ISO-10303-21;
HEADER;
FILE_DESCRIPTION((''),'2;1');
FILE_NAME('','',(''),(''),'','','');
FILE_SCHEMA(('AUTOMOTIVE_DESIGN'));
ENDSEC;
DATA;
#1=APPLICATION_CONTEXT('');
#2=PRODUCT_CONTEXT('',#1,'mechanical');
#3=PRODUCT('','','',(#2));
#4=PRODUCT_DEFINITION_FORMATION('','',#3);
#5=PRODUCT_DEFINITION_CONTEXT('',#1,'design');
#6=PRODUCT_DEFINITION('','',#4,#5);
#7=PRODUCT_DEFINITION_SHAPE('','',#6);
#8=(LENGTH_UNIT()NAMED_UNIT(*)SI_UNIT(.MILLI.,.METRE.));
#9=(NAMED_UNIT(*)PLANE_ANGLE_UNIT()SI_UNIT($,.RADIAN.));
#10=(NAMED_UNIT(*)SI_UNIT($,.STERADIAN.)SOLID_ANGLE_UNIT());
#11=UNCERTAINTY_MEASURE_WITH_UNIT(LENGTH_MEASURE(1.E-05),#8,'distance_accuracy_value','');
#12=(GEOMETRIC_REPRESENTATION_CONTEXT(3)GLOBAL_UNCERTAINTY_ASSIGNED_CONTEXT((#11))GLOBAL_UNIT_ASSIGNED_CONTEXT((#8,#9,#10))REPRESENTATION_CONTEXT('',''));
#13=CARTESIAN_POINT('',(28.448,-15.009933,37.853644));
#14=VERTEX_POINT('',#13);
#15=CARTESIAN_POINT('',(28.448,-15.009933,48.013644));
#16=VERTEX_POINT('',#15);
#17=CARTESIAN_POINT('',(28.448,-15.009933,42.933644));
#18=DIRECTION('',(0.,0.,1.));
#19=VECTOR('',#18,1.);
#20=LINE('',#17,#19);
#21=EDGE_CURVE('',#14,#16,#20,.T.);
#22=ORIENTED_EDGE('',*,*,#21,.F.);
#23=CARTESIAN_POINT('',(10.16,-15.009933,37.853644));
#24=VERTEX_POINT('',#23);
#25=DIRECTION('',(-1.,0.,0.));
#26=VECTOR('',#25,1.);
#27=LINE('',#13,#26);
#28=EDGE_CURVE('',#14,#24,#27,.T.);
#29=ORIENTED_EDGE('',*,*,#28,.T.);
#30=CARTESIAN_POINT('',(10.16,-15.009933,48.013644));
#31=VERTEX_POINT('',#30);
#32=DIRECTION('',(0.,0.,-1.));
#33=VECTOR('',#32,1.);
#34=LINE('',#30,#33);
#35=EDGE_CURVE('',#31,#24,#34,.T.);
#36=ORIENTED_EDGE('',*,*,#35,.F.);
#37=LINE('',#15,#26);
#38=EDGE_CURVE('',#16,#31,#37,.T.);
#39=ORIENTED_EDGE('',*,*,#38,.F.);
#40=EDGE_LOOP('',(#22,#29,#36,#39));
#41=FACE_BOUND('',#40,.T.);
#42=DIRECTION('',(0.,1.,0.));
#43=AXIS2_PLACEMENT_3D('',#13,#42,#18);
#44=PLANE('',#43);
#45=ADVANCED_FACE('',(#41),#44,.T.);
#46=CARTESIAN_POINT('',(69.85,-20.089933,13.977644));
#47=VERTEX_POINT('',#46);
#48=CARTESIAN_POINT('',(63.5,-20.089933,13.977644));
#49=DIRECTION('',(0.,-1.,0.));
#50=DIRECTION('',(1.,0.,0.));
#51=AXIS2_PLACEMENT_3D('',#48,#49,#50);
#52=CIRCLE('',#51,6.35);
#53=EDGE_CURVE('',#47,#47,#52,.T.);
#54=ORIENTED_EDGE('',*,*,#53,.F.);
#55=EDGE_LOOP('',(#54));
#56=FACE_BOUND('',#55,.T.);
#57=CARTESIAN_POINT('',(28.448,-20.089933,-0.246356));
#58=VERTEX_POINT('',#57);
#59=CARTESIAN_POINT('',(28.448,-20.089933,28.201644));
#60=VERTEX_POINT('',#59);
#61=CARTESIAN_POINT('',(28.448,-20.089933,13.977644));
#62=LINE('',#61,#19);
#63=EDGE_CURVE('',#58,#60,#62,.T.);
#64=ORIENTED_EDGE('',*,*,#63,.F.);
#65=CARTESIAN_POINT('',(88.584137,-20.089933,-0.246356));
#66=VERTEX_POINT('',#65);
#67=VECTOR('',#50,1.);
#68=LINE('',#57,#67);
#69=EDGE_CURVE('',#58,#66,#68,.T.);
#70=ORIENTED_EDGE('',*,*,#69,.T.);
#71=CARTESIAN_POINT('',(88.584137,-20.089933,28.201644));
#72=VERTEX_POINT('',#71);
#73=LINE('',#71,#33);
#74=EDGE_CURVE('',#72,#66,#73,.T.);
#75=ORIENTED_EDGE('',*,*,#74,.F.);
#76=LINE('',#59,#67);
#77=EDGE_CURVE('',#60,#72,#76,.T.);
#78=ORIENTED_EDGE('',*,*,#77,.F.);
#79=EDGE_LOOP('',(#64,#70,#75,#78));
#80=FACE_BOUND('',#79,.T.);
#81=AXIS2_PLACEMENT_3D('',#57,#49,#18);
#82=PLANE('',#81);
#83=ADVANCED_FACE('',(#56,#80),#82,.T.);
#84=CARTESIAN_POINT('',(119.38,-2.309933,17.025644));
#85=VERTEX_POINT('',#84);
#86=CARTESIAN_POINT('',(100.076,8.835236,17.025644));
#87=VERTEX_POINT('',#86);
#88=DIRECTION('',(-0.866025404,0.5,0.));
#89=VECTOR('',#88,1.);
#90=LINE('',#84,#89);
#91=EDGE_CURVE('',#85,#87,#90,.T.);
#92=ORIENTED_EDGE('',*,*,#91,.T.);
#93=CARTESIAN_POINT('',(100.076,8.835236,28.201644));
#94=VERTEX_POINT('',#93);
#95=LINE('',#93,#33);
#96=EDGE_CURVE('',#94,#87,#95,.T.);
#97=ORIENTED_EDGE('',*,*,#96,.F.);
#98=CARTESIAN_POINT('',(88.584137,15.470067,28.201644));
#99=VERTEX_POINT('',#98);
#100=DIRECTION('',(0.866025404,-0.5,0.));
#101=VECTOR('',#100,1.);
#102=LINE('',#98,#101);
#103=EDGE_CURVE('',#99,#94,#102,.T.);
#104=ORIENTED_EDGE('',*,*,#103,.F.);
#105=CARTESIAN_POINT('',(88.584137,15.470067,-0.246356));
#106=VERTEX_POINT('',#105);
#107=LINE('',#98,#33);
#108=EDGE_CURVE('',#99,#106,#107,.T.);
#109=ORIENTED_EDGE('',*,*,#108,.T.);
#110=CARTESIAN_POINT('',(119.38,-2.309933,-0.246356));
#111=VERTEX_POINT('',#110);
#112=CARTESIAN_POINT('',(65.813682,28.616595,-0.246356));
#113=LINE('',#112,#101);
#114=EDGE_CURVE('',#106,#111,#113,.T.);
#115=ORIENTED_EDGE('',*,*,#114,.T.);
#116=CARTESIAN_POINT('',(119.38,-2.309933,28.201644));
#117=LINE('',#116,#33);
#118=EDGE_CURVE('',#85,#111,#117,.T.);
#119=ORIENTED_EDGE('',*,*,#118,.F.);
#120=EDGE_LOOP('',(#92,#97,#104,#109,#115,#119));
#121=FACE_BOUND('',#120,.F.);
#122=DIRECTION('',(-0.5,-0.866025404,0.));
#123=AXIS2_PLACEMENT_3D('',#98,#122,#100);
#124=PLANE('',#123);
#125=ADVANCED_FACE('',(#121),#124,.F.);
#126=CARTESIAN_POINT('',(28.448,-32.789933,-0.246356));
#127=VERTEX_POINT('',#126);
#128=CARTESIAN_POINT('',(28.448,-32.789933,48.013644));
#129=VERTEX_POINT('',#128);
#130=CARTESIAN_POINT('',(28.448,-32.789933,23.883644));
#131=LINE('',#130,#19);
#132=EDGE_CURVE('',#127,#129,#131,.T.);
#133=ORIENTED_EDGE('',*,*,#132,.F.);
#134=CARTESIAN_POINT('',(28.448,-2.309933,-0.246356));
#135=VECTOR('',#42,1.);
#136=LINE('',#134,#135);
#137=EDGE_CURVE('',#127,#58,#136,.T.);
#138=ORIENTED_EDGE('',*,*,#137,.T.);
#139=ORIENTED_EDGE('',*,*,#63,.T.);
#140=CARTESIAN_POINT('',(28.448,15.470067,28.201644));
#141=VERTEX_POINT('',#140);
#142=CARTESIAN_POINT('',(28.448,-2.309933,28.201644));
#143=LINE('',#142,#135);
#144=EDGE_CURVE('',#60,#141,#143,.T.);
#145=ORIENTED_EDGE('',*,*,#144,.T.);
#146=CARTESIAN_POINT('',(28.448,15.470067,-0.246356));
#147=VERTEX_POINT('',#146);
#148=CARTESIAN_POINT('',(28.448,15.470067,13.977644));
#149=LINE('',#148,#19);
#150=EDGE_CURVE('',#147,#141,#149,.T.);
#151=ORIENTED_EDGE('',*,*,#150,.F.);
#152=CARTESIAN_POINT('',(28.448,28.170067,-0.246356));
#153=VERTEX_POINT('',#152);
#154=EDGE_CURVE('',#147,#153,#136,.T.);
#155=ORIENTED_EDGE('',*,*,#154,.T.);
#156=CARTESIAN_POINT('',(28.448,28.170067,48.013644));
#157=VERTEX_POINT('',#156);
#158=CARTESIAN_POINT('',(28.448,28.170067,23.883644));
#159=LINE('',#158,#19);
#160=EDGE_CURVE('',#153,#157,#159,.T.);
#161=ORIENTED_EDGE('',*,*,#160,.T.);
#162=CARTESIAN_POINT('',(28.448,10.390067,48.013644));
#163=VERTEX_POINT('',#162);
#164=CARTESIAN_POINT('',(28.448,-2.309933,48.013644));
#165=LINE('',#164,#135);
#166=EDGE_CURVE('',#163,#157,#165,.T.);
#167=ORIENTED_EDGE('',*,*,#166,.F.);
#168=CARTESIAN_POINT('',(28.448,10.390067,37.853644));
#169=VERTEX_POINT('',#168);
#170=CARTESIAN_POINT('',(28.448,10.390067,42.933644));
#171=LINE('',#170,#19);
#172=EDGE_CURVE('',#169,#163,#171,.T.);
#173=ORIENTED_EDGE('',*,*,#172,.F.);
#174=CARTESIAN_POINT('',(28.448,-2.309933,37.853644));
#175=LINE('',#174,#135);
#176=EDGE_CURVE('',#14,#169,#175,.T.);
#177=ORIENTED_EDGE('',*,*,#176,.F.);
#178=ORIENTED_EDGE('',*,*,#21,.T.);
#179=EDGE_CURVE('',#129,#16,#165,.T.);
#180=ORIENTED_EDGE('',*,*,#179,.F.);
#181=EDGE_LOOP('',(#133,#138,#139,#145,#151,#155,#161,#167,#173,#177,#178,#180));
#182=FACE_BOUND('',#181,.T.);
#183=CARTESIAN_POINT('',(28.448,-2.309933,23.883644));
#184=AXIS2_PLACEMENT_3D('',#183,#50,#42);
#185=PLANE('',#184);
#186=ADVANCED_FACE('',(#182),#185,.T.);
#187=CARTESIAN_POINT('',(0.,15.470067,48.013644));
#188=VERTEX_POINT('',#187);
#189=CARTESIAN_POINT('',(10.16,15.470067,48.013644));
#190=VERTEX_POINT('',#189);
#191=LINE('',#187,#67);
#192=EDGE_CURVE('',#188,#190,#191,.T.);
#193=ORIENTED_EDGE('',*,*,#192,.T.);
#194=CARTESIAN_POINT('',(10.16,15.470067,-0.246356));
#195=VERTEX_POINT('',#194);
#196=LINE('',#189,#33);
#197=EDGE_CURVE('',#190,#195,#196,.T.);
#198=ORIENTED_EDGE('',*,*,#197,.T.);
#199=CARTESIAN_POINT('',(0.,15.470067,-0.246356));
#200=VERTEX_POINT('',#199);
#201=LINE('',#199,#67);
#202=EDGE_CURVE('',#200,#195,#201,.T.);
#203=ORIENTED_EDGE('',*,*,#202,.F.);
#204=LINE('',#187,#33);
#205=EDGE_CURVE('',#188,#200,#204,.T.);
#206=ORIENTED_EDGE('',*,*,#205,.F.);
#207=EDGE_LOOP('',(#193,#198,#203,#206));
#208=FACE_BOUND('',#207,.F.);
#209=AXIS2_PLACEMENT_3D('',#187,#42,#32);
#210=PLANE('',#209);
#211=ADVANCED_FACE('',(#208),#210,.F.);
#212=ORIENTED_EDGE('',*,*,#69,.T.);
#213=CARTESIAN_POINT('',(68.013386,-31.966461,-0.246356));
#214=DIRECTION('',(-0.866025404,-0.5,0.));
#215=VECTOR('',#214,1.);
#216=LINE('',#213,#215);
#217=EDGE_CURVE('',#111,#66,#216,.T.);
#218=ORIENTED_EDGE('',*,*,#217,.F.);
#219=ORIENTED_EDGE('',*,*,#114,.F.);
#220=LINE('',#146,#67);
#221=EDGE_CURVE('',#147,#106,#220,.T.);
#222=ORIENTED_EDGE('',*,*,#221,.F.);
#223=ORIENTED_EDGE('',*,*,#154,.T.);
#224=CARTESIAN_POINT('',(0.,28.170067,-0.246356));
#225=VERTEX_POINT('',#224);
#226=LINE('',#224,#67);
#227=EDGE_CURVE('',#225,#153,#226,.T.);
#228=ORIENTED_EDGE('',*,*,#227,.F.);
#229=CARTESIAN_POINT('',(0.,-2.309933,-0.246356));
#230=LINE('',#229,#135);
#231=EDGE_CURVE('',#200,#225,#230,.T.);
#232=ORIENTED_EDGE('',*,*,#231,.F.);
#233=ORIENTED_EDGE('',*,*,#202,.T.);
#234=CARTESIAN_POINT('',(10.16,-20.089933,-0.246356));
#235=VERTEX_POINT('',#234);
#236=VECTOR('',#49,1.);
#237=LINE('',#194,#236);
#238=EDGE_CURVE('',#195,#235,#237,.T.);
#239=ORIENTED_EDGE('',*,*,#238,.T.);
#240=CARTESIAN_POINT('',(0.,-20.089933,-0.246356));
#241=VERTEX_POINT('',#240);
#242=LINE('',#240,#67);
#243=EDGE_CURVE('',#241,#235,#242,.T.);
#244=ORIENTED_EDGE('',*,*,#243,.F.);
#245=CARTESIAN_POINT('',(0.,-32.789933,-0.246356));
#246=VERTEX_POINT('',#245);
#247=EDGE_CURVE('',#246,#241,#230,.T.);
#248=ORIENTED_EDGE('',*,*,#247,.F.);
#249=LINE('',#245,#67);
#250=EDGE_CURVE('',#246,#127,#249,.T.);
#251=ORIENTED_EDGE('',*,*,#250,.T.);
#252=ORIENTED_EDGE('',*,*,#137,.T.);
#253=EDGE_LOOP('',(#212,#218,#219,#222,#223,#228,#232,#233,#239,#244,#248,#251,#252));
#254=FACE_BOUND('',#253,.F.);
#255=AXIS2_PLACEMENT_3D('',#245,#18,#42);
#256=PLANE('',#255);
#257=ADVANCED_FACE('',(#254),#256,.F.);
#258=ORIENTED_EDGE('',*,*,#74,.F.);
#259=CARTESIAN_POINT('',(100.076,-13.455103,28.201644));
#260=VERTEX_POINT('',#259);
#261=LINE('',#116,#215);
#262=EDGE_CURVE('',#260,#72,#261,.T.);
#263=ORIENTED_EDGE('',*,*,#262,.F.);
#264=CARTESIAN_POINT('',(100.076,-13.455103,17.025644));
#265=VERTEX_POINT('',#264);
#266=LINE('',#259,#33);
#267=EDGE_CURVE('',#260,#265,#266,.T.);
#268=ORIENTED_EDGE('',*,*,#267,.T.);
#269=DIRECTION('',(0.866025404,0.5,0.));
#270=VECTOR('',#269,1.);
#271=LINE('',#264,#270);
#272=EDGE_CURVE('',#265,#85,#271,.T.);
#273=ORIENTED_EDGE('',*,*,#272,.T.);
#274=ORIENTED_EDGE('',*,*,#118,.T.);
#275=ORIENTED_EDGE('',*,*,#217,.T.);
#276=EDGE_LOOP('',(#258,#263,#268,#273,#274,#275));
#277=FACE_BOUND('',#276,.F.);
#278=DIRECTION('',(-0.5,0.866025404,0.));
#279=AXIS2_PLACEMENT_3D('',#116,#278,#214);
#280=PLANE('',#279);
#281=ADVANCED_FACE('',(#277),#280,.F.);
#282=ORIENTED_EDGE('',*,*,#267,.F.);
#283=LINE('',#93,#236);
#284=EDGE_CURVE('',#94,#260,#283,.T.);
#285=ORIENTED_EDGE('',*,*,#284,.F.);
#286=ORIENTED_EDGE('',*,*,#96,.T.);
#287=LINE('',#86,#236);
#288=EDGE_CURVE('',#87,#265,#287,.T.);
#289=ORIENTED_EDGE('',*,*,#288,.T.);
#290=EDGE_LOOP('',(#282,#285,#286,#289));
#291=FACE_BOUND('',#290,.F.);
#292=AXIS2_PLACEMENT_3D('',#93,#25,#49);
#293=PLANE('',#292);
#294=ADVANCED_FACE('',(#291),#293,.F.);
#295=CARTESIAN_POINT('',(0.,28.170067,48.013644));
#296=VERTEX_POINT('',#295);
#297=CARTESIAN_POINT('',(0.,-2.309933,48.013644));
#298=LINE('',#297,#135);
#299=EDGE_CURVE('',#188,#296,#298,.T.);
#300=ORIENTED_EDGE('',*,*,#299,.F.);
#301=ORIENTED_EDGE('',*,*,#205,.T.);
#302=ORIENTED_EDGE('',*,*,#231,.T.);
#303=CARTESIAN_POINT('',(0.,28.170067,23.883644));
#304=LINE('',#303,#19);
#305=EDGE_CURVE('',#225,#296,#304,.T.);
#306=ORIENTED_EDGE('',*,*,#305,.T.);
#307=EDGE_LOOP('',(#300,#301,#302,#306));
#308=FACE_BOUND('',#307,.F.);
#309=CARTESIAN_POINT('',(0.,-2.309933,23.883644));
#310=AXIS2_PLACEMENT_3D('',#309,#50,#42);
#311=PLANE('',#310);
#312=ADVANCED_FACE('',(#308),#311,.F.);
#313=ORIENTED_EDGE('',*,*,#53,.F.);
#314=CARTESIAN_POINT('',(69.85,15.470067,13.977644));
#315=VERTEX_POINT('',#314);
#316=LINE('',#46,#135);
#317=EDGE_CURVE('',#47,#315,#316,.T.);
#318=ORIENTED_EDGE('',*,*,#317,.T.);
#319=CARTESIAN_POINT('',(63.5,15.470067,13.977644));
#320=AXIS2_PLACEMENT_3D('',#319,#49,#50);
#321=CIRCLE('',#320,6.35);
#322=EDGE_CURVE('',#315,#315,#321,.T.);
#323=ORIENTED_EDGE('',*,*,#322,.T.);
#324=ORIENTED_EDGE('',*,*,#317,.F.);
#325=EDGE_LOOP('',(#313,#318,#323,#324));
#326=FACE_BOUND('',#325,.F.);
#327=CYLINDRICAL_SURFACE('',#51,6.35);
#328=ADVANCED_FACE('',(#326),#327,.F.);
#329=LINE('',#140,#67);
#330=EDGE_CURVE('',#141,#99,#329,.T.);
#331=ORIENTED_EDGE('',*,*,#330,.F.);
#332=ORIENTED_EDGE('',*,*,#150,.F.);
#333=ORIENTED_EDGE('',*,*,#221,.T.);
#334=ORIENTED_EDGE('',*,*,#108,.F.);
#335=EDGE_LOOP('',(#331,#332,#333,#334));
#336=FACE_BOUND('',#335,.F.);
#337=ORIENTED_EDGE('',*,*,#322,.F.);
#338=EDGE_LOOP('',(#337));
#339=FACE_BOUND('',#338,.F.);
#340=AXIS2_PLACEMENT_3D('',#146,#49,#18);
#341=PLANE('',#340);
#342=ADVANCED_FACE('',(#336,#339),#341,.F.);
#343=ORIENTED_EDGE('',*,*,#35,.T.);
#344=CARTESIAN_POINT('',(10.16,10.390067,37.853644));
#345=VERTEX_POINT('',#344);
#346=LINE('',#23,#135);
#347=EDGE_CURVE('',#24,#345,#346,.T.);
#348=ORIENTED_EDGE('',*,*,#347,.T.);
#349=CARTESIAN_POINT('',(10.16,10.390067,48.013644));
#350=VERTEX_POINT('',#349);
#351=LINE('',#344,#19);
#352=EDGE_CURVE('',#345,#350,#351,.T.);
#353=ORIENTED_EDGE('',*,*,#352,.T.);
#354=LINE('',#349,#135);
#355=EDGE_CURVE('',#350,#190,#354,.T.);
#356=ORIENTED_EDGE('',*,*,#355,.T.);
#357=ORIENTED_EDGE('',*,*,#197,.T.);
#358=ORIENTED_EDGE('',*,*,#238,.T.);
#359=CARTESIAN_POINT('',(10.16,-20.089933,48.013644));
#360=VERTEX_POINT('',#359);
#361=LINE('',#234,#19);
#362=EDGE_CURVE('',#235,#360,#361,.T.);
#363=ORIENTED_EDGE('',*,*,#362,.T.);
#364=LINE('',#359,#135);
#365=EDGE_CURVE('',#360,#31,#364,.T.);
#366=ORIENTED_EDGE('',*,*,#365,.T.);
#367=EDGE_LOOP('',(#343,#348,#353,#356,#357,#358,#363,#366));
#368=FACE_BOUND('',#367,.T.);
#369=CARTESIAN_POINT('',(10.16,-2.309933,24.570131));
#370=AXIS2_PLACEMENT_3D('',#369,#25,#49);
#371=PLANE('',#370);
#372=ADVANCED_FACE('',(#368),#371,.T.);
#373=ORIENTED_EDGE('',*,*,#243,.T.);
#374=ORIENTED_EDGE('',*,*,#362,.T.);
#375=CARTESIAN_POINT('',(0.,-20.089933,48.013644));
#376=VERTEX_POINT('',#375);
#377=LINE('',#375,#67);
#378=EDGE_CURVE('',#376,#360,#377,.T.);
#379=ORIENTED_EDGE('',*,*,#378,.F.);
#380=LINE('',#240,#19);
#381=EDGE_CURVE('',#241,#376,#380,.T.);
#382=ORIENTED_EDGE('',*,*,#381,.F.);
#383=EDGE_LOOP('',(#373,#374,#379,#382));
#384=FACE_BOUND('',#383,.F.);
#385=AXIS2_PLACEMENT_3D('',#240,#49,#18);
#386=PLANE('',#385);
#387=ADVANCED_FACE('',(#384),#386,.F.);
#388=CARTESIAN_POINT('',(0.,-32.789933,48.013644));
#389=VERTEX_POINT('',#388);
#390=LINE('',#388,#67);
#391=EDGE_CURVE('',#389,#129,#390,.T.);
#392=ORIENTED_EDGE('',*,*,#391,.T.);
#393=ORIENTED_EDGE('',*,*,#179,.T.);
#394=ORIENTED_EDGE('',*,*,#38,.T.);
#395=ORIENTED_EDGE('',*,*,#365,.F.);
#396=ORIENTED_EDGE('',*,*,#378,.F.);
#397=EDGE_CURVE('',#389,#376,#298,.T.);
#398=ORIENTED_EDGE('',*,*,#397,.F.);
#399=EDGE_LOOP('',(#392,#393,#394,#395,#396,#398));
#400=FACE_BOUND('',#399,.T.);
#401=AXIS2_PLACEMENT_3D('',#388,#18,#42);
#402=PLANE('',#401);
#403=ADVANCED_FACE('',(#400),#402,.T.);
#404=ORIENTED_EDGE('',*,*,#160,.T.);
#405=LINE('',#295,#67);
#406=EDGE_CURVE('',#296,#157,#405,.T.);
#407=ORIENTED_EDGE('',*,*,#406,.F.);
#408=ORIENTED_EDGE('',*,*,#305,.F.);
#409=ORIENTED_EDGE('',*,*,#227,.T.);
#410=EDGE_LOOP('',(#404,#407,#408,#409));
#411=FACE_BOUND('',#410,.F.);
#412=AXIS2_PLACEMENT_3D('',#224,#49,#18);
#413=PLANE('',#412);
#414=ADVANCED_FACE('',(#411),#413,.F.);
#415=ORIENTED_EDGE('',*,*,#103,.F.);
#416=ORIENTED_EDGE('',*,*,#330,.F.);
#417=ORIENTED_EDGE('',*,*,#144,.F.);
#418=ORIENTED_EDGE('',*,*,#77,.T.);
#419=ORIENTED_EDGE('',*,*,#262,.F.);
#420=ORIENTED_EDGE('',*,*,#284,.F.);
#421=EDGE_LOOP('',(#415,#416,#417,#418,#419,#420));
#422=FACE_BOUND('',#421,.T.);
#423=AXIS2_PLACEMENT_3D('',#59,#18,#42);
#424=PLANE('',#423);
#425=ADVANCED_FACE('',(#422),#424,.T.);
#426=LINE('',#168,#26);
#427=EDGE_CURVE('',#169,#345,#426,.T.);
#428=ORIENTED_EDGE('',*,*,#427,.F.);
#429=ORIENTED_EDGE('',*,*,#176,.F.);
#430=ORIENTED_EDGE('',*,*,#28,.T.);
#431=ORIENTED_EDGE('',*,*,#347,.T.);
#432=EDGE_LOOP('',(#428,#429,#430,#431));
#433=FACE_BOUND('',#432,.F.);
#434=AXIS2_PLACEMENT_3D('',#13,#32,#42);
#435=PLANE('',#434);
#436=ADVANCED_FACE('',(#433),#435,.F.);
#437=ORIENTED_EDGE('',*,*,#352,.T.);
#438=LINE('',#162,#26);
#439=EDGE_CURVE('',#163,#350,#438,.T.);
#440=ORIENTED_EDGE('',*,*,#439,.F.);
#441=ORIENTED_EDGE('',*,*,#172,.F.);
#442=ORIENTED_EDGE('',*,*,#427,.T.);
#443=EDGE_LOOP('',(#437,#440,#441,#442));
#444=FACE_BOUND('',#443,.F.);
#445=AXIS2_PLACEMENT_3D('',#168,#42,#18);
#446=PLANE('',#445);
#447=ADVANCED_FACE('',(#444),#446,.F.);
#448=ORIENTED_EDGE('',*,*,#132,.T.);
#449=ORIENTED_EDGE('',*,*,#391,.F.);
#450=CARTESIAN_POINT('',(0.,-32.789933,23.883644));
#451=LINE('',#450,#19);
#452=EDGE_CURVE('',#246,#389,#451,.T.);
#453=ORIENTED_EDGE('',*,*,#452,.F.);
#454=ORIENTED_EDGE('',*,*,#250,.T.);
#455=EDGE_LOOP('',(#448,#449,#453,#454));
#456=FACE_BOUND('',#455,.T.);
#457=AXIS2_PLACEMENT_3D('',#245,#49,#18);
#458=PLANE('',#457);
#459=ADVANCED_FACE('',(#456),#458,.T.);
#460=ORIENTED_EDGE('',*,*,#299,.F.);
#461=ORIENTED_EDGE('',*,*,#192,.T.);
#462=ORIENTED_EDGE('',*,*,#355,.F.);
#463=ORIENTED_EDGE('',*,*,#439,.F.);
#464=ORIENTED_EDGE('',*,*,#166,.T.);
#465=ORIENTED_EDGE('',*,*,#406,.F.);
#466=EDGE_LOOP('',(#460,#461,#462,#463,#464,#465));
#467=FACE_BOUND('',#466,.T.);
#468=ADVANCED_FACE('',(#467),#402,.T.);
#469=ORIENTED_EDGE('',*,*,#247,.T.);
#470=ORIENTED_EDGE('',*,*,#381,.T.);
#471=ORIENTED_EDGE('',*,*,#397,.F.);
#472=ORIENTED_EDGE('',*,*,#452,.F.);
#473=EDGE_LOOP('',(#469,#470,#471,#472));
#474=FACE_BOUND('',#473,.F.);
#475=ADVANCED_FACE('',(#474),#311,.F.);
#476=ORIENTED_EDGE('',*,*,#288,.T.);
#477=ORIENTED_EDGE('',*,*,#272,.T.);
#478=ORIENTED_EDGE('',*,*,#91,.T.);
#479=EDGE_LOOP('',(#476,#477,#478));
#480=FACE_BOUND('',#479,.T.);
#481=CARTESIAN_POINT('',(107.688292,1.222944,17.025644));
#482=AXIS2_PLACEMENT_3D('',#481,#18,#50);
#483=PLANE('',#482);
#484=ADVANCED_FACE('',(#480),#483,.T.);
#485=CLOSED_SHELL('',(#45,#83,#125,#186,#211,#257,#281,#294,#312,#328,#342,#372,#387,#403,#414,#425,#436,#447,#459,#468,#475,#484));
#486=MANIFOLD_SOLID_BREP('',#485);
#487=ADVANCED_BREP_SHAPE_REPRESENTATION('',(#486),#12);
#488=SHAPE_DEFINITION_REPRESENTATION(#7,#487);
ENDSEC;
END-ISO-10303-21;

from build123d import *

# Parameters (mm, degrees)
F0_W      = 60.96
F0_H      = 48.26
F1_DEPTH  = 28.448
F2_W      = 25.4
F2_H      = 10.16
F3_DEPTH  = 50.8
F5_DEPTH  = 10.16
F6_W      = 35.56
F6_H      = 28.448
F7_DEPTH  = 90.932
F9_DEPTH  = 50.8
F11_DEPTH = 11.176
F12_R     = 6.35
F13_DEPTH = 35.814


with BuildPart() as f1:
    # F0 (on Right) → F1 (new body)
    with BuildSketch(Plane.YZ):
        with Locations((-2.3099333048, 23.8836441065)):
            Rectangle(F0_W, F0_H)
    extrude(amount=F1_DEPTH)

    # F2 (on face) → F3 (cut)
    with BuildSketch(Plane.YZ.offset(28.448)):
        with Locations((-2.3099333048, 42.9336441065)):
            Rectangle(F2_W, F2_H)
    extrude(amount=-F3_DEPTH, mode=Mode.SUBTRACT)

    # F4 (on face) → F5 (cut)
    with BuildSketch(Plane(origin=(0, 0, 0), x_dir=(0, -1, 0), z_dir=(-1, 0, 0))):
        Polygon((-10.3900666952, 48.0136441065), (-15.4700666952, 48.0136441065), (-15.4700666952, -0.2463558935), (20.0899333048, -0.2463558935), (20.0899333048, 48.0136441065), (15.0099333048, 48.0136441065), (15.0099333048, 37.8536441065), (-10.3900666952, 37.8536441065), align=None)
    extrude(amount=-F5_DEPTH, mode=Mode.SUBTRACT)

    # F6 (on face) → F7 (join)
    with BuildSketch(Plane.YZ.offset(28.448)):
        with Locations((-2.3099333048, 13.9776441065)):
            Rectangle(F6_W, F6_H)
    extrude(amount=F7_DEPTH)

    # F8 (on face) → F9 (cut)
    with BuildSketch(Plane.XY.offset(28.2016441065)):
        Polygon((88.5841366414, 15.4700666952), (119.38, -2.3099333048), (119.38, 15.4700666952), align=None)
        Polygon((119.38, -20.0899333048), (119.38, -2.3099333048), (88.5841366414, -20.0899333048), align=None)
    extrude(amount=-F9_DEPTH, mode=Mode.SUBTRACT)

    # F10 (on face) → F11 (cut)
    with BuildSketch(Plane.XY.offset(28.2016441065)):
        Polygon((100.076, -2.3099333048), (119.38, -2.3099333048), (100.076, 8.8352362916), align=None)
        Polygon((100.076, -13.4551029012), (119.38, -2.3099333048), (100.076, -2.3099333048), align=None)
    extrude(amount=-F11_DEPTH, mode=Mode.SUBTRACT)

    # F12 (on face) → F13 (cut)
    with BuildSketch(Plane.XZ.offset(20.0899333048)):
        with Locations((63.5, 13.9776441065)):
            Circle(F12_R)
    extrude(amount=-F13_DEPTH, mode=Mode.SUBTRACT)


solid = f1.part
